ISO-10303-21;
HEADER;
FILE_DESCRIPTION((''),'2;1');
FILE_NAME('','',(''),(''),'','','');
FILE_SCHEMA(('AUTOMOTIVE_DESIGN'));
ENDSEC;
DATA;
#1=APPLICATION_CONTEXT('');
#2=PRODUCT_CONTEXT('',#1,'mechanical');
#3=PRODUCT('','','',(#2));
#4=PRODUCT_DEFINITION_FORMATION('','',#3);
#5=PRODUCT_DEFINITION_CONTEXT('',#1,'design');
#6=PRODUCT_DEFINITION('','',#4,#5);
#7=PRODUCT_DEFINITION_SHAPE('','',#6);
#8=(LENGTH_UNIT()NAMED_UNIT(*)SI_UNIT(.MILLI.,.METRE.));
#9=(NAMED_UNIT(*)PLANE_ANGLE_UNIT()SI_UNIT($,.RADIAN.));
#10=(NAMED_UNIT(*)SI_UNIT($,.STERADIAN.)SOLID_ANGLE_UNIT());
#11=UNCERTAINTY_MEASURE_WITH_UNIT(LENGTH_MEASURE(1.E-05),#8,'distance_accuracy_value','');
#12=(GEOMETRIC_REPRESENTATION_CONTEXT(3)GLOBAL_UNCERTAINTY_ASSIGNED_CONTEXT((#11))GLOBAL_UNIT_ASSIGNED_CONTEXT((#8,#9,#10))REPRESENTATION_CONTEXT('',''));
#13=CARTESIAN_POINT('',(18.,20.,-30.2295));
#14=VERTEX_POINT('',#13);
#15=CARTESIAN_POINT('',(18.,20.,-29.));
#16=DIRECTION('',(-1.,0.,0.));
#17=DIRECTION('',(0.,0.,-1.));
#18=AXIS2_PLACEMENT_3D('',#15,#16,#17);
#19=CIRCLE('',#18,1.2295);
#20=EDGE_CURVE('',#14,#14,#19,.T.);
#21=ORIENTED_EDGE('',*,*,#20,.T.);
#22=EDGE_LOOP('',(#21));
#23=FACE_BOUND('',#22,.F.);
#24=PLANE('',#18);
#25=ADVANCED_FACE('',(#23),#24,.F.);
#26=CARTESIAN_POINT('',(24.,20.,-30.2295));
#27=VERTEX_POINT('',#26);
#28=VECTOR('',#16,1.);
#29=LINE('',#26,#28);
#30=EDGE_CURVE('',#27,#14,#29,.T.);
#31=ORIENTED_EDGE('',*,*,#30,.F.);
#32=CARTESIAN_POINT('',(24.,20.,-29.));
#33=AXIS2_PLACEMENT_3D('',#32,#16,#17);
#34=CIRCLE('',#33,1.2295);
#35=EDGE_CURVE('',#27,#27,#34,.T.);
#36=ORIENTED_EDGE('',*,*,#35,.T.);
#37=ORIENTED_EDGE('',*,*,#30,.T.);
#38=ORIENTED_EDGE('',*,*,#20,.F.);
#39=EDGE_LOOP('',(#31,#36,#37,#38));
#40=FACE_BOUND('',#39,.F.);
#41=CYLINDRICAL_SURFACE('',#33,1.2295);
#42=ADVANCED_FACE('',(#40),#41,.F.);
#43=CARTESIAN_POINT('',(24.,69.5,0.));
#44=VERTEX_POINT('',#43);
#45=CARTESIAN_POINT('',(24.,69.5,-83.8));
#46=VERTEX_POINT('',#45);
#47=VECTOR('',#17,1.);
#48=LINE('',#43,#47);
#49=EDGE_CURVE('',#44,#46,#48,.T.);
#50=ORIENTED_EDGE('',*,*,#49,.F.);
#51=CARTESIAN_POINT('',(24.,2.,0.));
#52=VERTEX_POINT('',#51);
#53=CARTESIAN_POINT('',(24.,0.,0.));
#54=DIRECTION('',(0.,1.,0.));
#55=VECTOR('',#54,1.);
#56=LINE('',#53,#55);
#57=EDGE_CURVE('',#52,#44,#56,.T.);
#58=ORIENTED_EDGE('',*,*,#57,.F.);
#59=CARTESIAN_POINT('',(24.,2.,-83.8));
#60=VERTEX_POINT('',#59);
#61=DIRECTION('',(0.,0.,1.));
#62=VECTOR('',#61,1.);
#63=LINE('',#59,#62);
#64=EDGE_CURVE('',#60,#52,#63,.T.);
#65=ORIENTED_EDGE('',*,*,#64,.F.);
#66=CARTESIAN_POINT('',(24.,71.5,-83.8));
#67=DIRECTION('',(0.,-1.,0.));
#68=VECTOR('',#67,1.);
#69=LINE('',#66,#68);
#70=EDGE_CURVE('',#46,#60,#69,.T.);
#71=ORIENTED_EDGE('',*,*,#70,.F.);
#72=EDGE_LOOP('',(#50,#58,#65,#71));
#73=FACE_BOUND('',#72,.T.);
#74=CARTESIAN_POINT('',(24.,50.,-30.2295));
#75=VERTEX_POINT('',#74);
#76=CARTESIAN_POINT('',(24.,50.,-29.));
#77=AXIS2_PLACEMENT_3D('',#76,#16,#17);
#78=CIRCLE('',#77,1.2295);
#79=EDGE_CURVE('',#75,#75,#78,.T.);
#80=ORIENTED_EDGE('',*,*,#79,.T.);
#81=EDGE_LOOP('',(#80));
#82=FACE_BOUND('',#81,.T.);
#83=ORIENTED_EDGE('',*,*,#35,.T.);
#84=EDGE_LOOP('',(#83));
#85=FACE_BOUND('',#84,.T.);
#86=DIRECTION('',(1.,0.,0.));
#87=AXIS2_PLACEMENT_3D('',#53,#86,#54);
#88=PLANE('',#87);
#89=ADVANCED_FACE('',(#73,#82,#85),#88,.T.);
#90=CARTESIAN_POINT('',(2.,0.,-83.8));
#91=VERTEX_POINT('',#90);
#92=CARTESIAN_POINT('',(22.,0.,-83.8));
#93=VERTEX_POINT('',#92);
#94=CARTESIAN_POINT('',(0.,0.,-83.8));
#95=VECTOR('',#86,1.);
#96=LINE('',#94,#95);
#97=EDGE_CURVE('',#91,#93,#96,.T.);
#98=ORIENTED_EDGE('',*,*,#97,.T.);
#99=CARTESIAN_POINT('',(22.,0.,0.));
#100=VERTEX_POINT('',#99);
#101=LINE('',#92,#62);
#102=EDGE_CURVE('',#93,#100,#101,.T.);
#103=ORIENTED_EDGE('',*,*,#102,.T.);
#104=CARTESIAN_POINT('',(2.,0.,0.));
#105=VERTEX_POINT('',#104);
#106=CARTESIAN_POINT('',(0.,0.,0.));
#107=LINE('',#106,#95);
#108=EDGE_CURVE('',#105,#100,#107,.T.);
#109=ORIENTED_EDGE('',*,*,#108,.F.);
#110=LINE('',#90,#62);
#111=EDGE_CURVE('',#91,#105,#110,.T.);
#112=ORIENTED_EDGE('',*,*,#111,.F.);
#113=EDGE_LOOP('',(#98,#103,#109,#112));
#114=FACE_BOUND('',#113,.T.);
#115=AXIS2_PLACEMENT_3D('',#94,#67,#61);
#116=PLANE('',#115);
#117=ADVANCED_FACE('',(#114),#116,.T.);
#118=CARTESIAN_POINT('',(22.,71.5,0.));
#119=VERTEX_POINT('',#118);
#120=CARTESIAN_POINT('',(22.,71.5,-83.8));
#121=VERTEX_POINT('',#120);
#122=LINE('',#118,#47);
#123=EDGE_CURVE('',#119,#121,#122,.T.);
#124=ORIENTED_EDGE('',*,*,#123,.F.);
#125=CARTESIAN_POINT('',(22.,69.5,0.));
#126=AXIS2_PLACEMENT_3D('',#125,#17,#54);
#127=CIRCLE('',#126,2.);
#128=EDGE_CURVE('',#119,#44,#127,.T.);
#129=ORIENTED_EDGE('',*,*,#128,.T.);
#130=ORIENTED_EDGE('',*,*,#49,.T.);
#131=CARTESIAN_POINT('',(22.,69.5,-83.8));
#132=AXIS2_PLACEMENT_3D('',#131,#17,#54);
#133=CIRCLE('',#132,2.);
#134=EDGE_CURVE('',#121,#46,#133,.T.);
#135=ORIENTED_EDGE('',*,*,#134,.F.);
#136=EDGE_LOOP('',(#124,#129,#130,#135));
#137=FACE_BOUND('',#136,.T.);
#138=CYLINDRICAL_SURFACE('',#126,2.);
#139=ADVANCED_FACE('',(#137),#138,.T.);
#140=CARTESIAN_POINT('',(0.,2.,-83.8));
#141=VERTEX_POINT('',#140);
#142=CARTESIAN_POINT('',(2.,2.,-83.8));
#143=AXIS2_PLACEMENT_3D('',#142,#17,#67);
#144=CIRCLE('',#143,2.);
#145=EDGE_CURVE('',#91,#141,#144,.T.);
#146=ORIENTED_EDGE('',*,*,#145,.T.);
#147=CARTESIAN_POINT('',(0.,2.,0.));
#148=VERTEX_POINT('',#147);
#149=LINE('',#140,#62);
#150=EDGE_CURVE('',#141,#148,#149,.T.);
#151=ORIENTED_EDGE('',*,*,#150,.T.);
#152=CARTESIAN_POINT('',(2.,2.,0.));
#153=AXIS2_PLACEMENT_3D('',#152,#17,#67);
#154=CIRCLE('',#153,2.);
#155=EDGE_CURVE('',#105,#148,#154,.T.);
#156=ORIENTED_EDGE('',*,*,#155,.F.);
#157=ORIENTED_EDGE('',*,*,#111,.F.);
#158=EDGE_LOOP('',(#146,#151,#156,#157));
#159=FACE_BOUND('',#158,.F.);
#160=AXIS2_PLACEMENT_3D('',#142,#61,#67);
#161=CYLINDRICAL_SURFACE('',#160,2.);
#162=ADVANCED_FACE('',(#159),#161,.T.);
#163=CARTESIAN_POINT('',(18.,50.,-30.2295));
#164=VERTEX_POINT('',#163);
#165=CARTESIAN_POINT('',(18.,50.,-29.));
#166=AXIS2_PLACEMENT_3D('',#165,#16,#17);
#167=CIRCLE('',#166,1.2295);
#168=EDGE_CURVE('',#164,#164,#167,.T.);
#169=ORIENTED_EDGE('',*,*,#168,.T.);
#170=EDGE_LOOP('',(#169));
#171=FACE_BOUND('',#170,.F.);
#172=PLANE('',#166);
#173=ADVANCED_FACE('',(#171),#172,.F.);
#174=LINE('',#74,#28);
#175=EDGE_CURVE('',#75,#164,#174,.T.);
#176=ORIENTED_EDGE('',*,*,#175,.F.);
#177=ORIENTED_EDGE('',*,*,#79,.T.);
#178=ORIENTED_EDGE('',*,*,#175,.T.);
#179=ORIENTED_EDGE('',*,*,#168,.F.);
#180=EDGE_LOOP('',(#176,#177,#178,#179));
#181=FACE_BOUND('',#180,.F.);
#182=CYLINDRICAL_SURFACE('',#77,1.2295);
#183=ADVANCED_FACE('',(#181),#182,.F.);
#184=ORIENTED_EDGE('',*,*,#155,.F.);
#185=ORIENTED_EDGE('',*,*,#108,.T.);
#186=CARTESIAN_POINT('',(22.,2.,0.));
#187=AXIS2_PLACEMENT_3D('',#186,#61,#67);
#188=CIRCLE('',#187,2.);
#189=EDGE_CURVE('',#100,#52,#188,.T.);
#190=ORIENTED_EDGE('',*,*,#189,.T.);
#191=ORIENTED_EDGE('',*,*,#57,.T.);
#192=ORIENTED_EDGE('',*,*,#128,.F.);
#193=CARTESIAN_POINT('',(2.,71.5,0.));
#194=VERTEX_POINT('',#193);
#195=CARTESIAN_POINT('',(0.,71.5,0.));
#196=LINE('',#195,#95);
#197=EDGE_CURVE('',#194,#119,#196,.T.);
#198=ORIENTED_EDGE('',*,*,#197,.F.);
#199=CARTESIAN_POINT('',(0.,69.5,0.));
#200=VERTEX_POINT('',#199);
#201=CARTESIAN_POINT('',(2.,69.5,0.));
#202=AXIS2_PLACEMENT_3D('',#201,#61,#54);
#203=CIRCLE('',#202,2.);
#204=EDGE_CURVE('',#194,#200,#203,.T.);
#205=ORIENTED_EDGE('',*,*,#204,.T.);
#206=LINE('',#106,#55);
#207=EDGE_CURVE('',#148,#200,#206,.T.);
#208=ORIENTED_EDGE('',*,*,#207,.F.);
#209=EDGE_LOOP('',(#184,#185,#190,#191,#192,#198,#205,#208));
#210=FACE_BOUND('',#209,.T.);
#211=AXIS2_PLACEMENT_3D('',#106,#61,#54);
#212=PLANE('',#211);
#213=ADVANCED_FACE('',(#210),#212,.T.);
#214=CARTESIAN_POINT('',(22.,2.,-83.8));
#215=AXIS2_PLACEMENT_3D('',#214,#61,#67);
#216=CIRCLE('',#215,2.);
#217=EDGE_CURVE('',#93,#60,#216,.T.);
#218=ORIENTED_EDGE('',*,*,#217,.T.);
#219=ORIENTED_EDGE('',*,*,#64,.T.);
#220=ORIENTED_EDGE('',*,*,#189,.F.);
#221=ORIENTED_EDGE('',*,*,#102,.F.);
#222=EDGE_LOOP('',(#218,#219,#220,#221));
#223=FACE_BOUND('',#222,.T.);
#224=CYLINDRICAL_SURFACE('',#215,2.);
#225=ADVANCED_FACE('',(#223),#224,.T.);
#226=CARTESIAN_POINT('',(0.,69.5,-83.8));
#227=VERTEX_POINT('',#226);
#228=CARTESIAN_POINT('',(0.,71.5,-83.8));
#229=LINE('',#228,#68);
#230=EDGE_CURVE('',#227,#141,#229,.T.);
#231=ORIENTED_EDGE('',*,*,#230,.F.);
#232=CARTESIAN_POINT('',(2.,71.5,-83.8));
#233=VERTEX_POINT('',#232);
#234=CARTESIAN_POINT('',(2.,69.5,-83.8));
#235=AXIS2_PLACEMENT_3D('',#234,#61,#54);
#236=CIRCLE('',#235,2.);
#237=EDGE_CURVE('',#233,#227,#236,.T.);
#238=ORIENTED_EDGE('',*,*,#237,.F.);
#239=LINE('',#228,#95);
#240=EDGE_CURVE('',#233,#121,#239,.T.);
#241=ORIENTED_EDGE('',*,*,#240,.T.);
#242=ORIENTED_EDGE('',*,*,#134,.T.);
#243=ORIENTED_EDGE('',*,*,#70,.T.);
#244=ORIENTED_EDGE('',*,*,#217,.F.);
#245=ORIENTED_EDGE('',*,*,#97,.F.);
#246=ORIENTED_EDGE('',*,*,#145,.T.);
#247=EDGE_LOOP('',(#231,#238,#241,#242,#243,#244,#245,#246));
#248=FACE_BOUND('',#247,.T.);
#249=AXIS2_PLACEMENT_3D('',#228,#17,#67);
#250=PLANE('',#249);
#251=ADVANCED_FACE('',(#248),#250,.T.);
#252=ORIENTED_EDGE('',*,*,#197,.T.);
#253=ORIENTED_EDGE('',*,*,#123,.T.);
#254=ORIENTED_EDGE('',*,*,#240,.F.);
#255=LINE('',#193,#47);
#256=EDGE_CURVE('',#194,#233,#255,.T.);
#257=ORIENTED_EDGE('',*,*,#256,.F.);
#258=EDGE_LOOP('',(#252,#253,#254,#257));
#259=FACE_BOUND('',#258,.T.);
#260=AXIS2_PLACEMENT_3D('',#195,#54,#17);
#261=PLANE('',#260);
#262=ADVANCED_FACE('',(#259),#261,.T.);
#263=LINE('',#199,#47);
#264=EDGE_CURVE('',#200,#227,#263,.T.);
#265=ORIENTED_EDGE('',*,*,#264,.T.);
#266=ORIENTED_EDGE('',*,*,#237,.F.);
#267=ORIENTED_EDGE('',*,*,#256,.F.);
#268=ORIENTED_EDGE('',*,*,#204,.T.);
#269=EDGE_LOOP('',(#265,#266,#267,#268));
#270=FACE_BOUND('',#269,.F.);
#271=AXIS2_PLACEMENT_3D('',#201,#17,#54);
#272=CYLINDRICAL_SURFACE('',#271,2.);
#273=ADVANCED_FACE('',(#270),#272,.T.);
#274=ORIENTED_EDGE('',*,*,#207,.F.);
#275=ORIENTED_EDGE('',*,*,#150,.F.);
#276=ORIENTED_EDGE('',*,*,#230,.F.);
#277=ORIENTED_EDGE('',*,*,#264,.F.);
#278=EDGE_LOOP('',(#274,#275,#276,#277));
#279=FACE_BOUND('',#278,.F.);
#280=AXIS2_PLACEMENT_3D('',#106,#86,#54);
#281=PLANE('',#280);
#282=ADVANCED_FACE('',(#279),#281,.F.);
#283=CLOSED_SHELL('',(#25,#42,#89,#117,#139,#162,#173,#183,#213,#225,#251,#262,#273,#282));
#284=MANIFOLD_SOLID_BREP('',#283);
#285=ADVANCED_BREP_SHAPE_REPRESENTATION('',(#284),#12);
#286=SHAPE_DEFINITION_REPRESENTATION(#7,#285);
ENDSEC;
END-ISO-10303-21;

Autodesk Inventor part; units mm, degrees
ref_plane "YZ Plane" through (0, 0, 0) normal (1, 0, 0) x (0, 1, 0)
ref_plane "XZ Plane" through (0, 0, 0) normal (0, 1, 0) x (-1, 0, 0)
ref_plane "XY Plane" through (0, 0, 0) normal (0, 0, 1) x (1, 0, 0)
sketch "Sketch1" plane through (0, 0, 0) normal (1, 0, 0) x (0, 1, 0)
  line L0 (0, 0) -> (71.5, 0)
  line L1 (71.5, 0) -> (71.5, -83.8)
  line L2 (71.5, -83.8) -> (0, -83.8)
  line L3 (0, -83.8) -> (0, 0)
  dimension "d0" = 83.8
  dimension "d1" = 71.5
extrude "Extrusion1" add sketch "Sketch1" along normal blind 24
fillet "Fillet1" radius 2 4 edges at (24, 71.5, -41.9) (0, 71.5, -41.9) (24, 0, -41.9) (0, 0, -41.9)
sketch "Sketch4" plane through (24, 0, 0) normal (1, 0, 0) x (0, 0, -1)
  line L0 (0, 0) -> (83.8, 0) projected
  line L1 (0, 69.5) -> (0, 2) projected
  point P0 (29, 20)
  point P1 (29, 50)
  dimension "d22" = 20
  dimension "d23" = 50
  dimension "d24" = 29
hole "Hole3" at (24, 20, -29) at (24, 50, -29) direction (-1, 0, 0) diameter 2.459 depth 6 thread size "M3x0.5" class "6H" standard "ANSI Metric M Profile"
properties part number "Meinberg_Box"
